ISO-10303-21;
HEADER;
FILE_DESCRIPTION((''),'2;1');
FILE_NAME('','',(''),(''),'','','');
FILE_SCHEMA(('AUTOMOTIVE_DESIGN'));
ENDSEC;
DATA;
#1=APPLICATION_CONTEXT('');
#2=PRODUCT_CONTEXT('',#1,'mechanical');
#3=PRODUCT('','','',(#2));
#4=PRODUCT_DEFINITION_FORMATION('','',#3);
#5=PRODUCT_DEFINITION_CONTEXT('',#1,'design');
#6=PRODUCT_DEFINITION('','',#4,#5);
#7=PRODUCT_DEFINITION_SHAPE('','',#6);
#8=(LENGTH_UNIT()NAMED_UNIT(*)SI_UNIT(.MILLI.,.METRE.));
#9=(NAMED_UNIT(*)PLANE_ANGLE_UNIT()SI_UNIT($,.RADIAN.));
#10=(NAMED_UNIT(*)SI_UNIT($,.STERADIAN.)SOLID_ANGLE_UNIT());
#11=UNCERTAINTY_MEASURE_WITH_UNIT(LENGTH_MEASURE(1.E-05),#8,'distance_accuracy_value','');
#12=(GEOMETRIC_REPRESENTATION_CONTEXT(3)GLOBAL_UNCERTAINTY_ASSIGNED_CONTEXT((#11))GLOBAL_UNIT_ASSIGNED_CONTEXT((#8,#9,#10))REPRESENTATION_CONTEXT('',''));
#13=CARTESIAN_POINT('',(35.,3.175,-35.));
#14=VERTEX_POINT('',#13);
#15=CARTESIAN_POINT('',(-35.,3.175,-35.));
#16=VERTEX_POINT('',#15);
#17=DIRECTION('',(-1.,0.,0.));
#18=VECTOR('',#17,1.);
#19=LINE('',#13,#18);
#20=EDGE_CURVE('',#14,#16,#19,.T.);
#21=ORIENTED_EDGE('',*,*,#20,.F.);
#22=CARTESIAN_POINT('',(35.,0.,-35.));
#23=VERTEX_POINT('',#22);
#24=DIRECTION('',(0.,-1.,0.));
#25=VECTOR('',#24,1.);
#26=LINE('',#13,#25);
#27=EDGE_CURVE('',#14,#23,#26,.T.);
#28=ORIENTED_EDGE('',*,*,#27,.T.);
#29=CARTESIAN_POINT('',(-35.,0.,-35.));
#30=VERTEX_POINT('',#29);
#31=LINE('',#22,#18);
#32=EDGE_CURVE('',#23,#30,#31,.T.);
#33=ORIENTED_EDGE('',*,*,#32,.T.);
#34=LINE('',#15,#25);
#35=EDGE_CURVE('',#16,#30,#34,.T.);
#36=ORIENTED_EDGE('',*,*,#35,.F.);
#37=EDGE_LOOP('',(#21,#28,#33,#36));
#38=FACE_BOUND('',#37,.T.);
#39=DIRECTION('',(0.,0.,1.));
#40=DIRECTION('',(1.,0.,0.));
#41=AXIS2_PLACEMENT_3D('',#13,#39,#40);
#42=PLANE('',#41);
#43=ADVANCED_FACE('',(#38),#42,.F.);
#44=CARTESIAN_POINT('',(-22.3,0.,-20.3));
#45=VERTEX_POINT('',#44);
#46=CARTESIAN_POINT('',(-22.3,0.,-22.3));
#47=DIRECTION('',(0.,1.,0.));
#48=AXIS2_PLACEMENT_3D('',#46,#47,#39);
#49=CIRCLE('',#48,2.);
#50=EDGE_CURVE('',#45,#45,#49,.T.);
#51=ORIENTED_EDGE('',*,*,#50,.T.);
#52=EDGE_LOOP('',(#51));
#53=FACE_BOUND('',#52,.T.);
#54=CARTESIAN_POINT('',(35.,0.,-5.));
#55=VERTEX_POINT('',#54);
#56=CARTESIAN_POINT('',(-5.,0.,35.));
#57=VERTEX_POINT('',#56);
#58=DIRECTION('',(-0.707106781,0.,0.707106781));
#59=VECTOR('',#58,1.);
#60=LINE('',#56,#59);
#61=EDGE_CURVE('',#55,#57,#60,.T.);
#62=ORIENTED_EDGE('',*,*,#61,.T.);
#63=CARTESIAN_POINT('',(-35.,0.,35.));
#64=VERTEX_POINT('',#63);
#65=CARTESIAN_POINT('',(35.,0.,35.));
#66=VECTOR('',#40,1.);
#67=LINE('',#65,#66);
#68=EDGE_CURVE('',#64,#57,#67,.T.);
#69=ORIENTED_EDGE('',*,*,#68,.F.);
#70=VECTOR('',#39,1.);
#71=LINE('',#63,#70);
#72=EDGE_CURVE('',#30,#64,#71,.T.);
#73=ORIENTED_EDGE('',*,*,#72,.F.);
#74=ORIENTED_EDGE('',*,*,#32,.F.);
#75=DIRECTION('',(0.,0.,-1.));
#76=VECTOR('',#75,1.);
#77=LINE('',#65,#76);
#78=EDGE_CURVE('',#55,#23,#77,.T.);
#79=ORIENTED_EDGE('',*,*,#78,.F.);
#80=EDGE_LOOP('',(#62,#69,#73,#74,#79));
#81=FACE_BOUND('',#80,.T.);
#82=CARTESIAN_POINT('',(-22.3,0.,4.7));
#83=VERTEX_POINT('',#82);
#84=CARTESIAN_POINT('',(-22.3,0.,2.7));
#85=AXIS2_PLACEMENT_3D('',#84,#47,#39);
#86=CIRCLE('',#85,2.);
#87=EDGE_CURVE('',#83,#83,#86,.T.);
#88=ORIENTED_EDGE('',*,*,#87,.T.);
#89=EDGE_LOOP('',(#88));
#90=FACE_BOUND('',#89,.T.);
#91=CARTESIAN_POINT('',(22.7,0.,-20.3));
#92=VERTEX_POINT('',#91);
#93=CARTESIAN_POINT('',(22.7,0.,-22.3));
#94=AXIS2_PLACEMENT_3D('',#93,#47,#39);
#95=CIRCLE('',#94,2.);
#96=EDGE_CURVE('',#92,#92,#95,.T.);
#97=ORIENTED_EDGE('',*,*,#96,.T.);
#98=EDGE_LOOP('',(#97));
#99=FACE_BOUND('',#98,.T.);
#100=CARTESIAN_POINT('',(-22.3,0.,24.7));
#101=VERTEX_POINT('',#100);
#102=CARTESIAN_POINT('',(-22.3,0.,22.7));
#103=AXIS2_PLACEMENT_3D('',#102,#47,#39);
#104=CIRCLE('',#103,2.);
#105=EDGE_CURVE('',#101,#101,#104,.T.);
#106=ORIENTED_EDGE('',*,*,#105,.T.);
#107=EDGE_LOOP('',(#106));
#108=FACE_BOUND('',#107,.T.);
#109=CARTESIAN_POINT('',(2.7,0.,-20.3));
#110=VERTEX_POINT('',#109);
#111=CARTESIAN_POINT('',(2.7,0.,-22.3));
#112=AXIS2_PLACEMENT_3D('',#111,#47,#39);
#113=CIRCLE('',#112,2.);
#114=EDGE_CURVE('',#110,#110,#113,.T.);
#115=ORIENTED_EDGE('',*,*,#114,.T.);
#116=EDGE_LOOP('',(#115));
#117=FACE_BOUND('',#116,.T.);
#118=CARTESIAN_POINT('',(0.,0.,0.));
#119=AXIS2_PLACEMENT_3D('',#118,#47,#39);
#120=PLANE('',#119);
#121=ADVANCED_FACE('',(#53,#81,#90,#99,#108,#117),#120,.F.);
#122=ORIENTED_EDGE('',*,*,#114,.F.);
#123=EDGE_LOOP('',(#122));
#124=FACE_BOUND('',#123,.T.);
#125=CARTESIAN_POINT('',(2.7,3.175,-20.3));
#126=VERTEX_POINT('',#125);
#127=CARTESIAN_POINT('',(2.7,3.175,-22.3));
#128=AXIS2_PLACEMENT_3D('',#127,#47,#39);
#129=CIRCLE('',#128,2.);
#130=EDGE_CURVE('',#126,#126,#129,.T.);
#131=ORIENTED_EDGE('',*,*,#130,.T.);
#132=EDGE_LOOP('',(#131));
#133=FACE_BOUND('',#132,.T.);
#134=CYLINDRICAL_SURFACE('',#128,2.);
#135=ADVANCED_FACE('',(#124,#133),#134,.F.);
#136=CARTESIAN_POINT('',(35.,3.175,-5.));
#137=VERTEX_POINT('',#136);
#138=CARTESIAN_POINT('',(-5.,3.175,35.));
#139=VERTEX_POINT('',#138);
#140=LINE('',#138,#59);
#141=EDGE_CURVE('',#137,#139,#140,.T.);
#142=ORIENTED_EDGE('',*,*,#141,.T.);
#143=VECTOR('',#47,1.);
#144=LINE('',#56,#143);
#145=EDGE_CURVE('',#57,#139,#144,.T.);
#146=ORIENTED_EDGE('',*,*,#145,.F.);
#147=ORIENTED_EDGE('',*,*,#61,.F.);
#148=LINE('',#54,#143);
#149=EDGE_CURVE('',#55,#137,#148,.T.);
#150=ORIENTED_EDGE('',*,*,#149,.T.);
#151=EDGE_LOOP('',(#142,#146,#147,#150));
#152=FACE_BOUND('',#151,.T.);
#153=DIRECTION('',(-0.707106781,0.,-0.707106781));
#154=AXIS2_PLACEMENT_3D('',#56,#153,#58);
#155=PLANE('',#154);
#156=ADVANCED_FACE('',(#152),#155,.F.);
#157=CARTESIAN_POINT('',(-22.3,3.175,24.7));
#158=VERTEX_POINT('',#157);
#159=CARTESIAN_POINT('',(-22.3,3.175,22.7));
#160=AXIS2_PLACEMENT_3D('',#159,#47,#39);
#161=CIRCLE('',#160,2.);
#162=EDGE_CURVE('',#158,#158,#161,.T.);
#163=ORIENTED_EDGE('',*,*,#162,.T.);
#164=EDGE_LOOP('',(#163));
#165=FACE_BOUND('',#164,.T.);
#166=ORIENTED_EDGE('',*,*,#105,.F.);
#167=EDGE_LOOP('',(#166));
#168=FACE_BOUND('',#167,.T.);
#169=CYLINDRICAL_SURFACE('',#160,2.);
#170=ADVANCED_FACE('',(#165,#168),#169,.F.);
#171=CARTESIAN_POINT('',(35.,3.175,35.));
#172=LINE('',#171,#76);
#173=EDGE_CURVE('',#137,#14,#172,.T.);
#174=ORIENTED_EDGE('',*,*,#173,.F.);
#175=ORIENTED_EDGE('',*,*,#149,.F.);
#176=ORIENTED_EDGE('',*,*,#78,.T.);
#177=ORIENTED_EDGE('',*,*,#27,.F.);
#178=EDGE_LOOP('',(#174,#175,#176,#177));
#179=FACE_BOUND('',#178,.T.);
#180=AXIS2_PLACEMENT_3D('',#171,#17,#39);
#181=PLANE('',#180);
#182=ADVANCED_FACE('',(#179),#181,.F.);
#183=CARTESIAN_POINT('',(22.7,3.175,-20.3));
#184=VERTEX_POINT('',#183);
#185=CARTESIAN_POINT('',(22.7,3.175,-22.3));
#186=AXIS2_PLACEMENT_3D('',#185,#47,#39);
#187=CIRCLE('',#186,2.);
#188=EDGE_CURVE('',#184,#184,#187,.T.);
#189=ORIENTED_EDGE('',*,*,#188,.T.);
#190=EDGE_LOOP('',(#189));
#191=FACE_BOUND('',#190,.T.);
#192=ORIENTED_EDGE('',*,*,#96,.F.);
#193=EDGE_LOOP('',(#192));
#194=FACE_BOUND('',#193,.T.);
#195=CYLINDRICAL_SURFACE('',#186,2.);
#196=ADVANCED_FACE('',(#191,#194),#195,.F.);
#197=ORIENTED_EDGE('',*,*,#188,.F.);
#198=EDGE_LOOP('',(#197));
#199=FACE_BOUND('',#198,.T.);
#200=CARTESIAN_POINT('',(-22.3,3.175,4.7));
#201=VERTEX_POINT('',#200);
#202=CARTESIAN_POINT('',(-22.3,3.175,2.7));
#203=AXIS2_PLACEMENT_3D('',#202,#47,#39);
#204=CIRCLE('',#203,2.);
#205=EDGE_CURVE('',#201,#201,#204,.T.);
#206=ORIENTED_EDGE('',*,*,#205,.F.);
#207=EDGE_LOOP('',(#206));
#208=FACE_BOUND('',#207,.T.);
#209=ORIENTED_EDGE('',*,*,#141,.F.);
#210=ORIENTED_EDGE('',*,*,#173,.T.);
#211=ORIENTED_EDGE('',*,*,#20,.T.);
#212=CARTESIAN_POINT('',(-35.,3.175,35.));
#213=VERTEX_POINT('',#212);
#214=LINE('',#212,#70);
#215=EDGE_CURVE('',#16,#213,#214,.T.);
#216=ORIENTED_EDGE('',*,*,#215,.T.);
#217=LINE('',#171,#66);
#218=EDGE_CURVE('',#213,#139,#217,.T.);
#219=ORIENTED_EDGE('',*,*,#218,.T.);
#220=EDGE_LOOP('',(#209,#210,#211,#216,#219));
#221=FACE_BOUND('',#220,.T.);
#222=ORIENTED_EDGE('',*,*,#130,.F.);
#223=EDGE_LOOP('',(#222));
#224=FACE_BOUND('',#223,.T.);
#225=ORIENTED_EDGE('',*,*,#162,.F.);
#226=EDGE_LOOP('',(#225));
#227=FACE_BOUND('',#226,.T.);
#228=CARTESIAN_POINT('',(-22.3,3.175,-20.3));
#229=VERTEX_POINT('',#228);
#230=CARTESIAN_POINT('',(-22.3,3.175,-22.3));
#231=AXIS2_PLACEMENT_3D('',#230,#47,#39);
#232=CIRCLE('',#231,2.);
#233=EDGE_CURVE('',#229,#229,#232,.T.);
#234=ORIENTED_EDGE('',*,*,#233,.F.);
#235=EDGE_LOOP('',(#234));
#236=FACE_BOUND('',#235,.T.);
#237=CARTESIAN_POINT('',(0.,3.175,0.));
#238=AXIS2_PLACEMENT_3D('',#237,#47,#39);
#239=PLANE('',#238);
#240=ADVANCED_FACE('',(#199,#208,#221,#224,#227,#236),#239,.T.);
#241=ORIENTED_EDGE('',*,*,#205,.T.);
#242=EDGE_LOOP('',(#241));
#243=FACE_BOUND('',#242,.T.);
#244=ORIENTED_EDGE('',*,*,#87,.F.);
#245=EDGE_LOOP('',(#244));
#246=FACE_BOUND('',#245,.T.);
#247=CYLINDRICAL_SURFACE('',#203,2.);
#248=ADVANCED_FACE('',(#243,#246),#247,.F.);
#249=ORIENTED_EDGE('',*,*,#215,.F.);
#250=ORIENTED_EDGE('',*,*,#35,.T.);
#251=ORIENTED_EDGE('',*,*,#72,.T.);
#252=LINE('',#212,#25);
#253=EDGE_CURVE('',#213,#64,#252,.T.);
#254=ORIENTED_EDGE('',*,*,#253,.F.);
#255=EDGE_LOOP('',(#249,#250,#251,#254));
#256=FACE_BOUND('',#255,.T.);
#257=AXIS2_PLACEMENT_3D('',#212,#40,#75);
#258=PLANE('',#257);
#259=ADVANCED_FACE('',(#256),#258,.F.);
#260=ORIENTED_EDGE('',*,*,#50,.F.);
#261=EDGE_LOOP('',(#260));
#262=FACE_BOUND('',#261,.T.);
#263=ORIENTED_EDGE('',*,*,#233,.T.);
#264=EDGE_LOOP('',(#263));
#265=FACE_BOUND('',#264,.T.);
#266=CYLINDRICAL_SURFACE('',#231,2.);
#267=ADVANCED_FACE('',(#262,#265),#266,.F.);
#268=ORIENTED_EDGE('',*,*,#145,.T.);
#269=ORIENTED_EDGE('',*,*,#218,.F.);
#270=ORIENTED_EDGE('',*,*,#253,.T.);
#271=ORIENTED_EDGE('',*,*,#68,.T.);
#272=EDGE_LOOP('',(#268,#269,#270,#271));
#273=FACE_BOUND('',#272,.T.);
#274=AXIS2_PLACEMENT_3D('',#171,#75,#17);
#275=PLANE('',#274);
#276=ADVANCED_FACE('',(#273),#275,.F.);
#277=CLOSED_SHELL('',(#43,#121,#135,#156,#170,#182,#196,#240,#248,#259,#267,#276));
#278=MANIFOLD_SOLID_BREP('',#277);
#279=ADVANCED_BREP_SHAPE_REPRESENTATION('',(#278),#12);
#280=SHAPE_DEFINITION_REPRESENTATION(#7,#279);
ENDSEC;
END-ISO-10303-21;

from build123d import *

# Parameters (mm, degrees)
SKETCH2_W             = 70
SKETCH2_H             = 70
BOSS_EXTRUDE1_DEPTH   = 3.175
F_4_0MM_DOWEL_HOLE1_D = 4
CUT_EXTRUDE1_DEPTH    = 50.599199842


with BuildPart() as part:
    # Sketch2 → Boss-Extrude1 (new body)
    with BuildSketch(Plane(origin=(0, 0, 0), x_dir=(1, 0, 0), z_dir=(0, 1, 0))):
        Rectangle(SKETCH2_W, SKETCH2_H)
    extrude(amount=BOSS_EXTRUDE1_DEPTH)

    # Ø4.0mm Dowel Hole1 (through all)
    with Locations(Plane(origin=(0, 3.175, 0), x_dir=(1, 0, 0), z_dir=(0, 1, 0))):
        with Locations((-22.3, 22.3), (22.7, 22.3), (2.7, 22.3), (-22.3, -2.7), (-22.3, -22.7)):
            Hole(F_4_0MM_DOWEL_HOLE1_D / 2)

    # Sketch8 → Cut-Extrude1 (cut, through all)
    with BuildSketch(Plane(origin=(0, 3.175, 0), x_dir=(1, 0, 0), z_dir=(0, 1, 0))):
        Polygon((-5, -35), (35, 5), (35, -35), align=None)
    extrude(amount=-CUT_EXTRUDE1_DEPTH, mode=Mode.SUBTRACT)


solid = part.part
